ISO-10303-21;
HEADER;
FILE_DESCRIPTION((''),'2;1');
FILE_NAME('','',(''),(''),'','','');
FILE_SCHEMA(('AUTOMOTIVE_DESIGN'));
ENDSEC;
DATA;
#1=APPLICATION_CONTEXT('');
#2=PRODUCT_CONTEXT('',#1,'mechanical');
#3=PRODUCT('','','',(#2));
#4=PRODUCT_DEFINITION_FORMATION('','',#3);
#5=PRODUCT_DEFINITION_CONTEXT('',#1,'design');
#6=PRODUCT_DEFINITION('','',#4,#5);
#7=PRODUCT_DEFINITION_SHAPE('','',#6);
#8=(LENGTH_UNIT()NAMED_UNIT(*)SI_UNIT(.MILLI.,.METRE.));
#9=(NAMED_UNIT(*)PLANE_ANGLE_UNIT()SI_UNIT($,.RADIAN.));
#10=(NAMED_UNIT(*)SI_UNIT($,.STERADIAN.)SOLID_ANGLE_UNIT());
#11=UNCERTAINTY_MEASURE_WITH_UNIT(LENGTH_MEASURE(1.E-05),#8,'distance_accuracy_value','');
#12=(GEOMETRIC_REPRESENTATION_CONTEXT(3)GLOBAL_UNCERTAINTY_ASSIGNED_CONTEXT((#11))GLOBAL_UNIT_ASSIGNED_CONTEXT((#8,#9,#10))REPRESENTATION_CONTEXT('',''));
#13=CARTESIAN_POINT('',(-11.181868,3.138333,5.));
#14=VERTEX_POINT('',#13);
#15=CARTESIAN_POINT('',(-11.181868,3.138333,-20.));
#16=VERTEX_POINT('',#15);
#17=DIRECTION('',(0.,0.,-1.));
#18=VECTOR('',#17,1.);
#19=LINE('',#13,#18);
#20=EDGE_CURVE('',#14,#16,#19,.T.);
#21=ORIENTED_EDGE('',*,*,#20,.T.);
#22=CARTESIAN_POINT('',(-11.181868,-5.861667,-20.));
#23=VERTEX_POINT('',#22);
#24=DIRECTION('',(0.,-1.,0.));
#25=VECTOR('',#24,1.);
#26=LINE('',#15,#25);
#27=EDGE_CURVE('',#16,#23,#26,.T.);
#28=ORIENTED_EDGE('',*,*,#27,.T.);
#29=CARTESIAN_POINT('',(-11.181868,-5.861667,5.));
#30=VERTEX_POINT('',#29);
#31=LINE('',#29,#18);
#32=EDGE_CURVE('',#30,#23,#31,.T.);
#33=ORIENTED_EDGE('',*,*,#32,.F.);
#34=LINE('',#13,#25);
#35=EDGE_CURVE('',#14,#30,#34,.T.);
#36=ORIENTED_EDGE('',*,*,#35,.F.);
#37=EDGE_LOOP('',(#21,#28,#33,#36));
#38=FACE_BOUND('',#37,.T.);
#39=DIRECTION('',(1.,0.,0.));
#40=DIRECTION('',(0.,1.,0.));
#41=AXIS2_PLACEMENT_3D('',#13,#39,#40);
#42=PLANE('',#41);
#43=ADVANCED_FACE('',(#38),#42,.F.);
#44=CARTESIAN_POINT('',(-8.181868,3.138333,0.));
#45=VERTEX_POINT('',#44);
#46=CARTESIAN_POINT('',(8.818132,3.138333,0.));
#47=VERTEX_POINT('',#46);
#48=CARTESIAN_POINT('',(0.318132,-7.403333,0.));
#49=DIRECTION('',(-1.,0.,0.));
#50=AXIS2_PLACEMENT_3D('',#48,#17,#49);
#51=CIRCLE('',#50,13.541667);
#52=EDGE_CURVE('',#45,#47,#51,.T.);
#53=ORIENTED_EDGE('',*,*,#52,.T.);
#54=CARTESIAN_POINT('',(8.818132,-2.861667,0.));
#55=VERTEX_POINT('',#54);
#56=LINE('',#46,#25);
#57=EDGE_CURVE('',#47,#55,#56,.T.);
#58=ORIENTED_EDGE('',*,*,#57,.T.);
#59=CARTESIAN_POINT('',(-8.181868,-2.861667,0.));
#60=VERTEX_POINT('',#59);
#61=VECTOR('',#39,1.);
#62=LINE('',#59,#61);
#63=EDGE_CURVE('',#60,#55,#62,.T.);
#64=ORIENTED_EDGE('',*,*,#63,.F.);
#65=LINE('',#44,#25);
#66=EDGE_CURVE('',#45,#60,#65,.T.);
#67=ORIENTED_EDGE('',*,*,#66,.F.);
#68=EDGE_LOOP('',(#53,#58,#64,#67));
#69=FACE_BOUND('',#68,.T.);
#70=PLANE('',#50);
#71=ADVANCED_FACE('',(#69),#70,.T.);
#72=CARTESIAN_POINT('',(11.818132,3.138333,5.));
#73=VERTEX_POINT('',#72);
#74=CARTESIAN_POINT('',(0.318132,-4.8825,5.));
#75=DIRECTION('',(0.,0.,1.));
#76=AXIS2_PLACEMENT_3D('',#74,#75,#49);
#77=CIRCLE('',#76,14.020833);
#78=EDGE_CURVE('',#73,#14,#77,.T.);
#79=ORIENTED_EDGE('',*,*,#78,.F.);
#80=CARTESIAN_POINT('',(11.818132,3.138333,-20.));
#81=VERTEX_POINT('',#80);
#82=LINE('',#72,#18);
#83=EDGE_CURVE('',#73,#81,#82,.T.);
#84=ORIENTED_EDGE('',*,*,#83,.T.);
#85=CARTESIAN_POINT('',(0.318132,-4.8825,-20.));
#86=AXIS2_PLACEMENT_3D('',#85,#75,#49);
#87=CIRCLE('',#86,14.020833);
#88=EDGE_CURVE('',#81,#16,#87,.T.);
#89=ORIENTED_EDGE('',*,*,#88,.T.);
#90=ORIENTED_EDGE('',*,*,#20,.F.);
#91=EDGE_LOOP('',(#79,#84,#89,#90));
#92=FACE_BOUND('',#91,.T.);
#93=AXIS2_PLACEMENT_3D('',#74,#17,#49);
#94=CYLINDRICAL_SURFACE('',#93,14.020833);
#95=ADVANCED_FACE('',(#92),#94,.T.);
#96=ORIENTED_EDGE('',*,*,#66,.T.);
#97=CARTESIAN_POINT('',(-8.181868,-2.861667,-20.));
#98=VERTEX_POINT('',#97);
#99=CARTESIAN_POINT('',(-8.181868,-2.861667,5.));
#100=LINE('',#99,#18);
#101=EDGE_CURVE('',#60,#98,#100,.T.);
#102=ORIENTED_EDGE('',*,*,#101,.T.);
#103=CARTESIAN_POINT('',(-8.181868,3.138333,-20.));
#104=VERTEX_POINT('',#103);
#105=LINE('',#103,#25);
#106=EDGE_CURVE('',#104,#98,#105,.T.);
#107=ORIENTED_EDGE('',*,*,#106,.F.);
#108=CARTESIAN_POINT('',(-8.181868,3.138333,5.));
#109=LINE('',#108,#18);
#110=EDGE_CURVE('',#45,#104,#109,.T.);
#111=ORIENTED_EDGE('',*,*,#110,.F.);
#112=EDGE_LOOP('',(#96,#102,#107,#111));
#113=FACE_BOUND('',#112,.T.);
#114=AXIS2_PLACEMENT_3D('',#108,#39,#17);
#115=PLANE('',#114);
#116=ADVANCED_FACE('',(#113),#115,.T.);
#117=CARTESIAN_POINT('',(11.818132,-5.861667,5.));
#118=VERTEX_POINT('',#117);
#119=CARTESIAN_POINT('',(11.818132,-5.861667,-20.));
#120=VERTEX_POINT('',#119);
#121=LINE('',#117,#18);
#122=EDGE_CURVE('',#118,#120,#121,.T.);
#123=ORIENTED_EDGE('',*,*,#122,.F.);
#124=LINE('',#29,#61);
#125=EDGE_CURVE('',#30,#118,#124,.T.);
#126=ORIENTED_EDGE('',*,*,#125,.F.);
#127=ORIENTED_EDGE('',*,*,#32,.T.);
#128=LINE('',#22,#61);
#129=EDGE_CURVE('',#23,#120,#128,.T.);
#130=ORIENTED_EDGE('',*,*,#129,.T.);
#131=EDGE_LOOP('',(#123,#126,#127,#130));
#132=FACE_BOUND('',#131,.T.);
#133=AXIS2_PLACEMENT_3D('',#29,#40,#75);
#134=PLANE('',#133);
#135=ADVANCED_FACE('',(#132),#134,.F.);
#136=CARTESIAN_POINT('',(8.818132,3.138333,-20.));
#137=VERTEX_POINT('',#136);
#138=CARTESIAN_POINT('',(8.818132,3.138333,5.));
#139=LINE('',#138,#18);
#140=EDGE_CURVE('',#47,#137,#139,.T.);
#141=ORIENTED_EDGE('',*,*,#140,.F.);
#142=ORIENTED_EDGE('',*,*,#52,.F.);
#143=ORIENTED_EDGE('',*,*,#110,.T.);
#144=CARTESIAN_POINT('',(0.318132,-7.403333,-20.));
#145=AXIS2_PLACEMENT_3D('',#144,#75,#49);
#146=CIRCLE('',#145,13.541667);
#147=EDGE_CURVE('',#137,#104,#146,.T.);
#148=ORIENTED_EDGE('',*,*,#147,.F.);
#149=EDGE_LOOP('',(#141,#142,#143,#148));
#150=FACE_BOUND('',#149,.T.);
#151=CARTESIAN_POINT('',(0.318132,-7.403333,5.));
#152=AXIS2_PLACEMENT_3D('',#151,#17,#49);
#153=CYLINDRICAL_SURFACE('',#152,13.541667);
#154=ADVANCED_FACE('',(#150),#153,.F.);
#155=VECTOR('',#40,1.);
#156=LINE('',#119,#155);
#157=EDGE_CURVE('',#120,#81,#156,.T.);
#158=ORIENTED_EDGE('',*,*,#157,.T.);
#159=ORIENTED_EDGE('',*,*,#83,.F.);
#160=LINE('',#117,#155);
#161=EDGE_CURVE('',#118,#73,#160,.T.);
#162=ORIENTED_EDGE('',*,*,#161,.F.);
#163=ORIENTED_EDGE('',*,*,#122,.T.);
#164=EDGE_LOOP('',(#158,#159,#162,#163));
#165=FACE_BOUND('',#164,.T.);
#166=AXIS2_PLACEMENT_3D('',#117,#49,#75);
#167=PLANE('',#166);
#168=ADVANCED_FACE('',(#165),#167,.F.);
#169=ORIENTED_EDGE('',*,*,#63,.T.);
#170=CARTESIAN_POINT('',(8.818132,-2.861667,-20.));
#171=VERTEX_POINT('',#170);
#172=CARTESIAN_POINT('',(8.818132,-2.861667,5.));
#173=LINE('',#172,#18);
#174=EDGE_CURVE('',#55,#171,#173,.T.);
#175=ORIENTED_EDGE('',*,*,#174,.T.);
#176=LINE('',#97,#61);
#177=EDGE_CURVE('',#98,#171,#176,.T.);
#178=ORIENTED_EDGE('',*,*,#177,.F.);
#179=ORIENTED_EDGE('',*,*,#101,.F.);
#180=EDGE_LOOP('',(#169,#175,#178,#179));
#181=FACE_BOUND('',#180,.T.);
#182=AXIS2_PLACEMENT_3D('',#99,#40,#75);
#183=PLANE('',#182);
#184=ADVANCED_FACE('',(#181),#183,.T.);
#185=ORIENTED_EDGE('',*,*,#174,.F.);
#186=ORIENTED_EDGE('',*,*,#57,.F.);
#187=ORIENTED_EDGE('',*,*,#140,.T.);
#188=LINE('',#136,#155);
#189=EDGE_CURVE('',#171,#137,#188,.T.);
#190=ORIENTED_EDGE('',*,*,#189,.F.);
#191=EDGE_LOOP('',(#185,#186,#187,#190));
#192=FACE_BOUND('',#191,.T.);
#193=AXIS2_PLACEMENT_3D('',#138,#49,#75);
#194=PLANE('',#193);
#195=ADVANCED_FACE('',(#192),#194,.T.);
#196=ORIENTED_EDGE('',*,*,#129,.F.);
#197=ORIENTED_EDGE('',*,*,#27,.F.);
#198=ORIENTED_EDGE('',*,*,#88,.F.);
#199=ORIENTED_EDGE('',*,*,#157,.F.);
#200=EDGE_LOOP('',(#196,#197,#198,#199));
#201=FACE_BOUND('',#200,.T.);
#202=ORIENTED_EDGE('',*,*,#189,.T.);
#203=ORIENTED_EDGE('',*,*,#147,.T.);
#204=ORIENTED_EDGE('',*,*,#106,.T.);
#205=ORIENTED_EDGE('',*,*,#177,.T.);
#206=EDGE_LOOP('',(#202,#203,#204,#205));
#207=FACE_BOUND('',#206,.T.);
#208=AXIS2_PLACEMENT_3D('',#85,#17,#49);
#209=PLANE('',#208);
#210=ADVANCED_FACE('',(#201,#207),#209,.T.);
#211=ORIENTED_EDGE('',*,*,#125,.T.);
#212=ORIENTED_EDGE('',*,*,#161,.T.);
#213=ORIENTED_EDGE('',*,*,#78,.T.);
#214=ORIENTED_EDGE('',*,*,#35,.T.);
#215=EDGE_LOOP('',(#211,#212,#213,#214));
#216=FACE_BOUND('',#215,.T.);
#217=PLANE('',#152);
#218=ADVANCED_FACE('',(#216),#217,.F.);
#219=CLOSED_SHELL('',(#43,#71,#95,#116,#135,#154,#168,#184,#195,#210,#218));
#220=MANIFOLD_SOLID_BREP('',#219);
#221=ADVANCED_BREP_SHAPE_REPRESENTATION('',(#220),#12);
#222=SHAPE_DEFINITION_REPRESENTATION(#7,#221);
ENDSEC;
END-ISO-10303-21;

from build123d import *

# Parameters (mm, degrees)
EXTRUDE_1_DEPTH      = 5
EXTRUDE_2_DEPTH      = 5
EXTRUDE_2_DEPTH_BACK = 20


with BuildPart() as part:
    # 草圖1 → 填料-伸長1 (new body)
    with BuildSketch(Plane.XY):
        with BuildLine():
            Line((-8.181868209, 3.138333333), (-8.181868209, -2.861666667))
            Line((-8.181868209, -2.861666667), (8.818131791, -2.861666667))
            Line((8.818131791, -2.861666667), (8.818131791, 3.138333333))
            ThreePointArc((8.818131791, 3.138333333), (0.318131791, 6.138333333), (-8.181868209, 3.138333333))
        make_face()
    extrude(amount=EXTRUDE_1_DEPTH)

    # 草圖1<4> → 填料-伸長2 (add, two sides: drawn at the far end of the back side and taken through both)
    with BuildSketch(Plane.XY.offset(-EXTRUDE_2_DEPTH_BACK)):
        with BuildLine():
            Line((-11.181868209, 3.138333333), (-11.181868209, -5.861666667))
            Line((-11.181868209, -5.861666667), (11.818131791, -5.861666667))
            Line((11.818131791, -5.861666667), (11.818131791, 3.138333333))
            ThreePointArc((11.818131791, 3.138333333), (0.318131791, 9.138333333), (-11.181868209, 3.138333333))
        make_face()
        with BuildLine():
            Line((-8.181868209, 3.138333333), (-8.181868209, -2.861666667))
            Line((-8.181868209, -2.861666667), (8.818131791, -2.861666667))
            Line((8.818131791, -2.861666667), (8.818131791, 3.138333333))
            ThreePointArc((8.818131791, 3.138333333), (0.318131791, 6.138333333), (-8.181868209, 3.138333333))
        make_face(mode=Mode.SUBTRACT)
    extrude(amount=EXTRUDE_2_DEPTH + EXTRUDE_2_DEPTH_BACK)


solid = part.part
